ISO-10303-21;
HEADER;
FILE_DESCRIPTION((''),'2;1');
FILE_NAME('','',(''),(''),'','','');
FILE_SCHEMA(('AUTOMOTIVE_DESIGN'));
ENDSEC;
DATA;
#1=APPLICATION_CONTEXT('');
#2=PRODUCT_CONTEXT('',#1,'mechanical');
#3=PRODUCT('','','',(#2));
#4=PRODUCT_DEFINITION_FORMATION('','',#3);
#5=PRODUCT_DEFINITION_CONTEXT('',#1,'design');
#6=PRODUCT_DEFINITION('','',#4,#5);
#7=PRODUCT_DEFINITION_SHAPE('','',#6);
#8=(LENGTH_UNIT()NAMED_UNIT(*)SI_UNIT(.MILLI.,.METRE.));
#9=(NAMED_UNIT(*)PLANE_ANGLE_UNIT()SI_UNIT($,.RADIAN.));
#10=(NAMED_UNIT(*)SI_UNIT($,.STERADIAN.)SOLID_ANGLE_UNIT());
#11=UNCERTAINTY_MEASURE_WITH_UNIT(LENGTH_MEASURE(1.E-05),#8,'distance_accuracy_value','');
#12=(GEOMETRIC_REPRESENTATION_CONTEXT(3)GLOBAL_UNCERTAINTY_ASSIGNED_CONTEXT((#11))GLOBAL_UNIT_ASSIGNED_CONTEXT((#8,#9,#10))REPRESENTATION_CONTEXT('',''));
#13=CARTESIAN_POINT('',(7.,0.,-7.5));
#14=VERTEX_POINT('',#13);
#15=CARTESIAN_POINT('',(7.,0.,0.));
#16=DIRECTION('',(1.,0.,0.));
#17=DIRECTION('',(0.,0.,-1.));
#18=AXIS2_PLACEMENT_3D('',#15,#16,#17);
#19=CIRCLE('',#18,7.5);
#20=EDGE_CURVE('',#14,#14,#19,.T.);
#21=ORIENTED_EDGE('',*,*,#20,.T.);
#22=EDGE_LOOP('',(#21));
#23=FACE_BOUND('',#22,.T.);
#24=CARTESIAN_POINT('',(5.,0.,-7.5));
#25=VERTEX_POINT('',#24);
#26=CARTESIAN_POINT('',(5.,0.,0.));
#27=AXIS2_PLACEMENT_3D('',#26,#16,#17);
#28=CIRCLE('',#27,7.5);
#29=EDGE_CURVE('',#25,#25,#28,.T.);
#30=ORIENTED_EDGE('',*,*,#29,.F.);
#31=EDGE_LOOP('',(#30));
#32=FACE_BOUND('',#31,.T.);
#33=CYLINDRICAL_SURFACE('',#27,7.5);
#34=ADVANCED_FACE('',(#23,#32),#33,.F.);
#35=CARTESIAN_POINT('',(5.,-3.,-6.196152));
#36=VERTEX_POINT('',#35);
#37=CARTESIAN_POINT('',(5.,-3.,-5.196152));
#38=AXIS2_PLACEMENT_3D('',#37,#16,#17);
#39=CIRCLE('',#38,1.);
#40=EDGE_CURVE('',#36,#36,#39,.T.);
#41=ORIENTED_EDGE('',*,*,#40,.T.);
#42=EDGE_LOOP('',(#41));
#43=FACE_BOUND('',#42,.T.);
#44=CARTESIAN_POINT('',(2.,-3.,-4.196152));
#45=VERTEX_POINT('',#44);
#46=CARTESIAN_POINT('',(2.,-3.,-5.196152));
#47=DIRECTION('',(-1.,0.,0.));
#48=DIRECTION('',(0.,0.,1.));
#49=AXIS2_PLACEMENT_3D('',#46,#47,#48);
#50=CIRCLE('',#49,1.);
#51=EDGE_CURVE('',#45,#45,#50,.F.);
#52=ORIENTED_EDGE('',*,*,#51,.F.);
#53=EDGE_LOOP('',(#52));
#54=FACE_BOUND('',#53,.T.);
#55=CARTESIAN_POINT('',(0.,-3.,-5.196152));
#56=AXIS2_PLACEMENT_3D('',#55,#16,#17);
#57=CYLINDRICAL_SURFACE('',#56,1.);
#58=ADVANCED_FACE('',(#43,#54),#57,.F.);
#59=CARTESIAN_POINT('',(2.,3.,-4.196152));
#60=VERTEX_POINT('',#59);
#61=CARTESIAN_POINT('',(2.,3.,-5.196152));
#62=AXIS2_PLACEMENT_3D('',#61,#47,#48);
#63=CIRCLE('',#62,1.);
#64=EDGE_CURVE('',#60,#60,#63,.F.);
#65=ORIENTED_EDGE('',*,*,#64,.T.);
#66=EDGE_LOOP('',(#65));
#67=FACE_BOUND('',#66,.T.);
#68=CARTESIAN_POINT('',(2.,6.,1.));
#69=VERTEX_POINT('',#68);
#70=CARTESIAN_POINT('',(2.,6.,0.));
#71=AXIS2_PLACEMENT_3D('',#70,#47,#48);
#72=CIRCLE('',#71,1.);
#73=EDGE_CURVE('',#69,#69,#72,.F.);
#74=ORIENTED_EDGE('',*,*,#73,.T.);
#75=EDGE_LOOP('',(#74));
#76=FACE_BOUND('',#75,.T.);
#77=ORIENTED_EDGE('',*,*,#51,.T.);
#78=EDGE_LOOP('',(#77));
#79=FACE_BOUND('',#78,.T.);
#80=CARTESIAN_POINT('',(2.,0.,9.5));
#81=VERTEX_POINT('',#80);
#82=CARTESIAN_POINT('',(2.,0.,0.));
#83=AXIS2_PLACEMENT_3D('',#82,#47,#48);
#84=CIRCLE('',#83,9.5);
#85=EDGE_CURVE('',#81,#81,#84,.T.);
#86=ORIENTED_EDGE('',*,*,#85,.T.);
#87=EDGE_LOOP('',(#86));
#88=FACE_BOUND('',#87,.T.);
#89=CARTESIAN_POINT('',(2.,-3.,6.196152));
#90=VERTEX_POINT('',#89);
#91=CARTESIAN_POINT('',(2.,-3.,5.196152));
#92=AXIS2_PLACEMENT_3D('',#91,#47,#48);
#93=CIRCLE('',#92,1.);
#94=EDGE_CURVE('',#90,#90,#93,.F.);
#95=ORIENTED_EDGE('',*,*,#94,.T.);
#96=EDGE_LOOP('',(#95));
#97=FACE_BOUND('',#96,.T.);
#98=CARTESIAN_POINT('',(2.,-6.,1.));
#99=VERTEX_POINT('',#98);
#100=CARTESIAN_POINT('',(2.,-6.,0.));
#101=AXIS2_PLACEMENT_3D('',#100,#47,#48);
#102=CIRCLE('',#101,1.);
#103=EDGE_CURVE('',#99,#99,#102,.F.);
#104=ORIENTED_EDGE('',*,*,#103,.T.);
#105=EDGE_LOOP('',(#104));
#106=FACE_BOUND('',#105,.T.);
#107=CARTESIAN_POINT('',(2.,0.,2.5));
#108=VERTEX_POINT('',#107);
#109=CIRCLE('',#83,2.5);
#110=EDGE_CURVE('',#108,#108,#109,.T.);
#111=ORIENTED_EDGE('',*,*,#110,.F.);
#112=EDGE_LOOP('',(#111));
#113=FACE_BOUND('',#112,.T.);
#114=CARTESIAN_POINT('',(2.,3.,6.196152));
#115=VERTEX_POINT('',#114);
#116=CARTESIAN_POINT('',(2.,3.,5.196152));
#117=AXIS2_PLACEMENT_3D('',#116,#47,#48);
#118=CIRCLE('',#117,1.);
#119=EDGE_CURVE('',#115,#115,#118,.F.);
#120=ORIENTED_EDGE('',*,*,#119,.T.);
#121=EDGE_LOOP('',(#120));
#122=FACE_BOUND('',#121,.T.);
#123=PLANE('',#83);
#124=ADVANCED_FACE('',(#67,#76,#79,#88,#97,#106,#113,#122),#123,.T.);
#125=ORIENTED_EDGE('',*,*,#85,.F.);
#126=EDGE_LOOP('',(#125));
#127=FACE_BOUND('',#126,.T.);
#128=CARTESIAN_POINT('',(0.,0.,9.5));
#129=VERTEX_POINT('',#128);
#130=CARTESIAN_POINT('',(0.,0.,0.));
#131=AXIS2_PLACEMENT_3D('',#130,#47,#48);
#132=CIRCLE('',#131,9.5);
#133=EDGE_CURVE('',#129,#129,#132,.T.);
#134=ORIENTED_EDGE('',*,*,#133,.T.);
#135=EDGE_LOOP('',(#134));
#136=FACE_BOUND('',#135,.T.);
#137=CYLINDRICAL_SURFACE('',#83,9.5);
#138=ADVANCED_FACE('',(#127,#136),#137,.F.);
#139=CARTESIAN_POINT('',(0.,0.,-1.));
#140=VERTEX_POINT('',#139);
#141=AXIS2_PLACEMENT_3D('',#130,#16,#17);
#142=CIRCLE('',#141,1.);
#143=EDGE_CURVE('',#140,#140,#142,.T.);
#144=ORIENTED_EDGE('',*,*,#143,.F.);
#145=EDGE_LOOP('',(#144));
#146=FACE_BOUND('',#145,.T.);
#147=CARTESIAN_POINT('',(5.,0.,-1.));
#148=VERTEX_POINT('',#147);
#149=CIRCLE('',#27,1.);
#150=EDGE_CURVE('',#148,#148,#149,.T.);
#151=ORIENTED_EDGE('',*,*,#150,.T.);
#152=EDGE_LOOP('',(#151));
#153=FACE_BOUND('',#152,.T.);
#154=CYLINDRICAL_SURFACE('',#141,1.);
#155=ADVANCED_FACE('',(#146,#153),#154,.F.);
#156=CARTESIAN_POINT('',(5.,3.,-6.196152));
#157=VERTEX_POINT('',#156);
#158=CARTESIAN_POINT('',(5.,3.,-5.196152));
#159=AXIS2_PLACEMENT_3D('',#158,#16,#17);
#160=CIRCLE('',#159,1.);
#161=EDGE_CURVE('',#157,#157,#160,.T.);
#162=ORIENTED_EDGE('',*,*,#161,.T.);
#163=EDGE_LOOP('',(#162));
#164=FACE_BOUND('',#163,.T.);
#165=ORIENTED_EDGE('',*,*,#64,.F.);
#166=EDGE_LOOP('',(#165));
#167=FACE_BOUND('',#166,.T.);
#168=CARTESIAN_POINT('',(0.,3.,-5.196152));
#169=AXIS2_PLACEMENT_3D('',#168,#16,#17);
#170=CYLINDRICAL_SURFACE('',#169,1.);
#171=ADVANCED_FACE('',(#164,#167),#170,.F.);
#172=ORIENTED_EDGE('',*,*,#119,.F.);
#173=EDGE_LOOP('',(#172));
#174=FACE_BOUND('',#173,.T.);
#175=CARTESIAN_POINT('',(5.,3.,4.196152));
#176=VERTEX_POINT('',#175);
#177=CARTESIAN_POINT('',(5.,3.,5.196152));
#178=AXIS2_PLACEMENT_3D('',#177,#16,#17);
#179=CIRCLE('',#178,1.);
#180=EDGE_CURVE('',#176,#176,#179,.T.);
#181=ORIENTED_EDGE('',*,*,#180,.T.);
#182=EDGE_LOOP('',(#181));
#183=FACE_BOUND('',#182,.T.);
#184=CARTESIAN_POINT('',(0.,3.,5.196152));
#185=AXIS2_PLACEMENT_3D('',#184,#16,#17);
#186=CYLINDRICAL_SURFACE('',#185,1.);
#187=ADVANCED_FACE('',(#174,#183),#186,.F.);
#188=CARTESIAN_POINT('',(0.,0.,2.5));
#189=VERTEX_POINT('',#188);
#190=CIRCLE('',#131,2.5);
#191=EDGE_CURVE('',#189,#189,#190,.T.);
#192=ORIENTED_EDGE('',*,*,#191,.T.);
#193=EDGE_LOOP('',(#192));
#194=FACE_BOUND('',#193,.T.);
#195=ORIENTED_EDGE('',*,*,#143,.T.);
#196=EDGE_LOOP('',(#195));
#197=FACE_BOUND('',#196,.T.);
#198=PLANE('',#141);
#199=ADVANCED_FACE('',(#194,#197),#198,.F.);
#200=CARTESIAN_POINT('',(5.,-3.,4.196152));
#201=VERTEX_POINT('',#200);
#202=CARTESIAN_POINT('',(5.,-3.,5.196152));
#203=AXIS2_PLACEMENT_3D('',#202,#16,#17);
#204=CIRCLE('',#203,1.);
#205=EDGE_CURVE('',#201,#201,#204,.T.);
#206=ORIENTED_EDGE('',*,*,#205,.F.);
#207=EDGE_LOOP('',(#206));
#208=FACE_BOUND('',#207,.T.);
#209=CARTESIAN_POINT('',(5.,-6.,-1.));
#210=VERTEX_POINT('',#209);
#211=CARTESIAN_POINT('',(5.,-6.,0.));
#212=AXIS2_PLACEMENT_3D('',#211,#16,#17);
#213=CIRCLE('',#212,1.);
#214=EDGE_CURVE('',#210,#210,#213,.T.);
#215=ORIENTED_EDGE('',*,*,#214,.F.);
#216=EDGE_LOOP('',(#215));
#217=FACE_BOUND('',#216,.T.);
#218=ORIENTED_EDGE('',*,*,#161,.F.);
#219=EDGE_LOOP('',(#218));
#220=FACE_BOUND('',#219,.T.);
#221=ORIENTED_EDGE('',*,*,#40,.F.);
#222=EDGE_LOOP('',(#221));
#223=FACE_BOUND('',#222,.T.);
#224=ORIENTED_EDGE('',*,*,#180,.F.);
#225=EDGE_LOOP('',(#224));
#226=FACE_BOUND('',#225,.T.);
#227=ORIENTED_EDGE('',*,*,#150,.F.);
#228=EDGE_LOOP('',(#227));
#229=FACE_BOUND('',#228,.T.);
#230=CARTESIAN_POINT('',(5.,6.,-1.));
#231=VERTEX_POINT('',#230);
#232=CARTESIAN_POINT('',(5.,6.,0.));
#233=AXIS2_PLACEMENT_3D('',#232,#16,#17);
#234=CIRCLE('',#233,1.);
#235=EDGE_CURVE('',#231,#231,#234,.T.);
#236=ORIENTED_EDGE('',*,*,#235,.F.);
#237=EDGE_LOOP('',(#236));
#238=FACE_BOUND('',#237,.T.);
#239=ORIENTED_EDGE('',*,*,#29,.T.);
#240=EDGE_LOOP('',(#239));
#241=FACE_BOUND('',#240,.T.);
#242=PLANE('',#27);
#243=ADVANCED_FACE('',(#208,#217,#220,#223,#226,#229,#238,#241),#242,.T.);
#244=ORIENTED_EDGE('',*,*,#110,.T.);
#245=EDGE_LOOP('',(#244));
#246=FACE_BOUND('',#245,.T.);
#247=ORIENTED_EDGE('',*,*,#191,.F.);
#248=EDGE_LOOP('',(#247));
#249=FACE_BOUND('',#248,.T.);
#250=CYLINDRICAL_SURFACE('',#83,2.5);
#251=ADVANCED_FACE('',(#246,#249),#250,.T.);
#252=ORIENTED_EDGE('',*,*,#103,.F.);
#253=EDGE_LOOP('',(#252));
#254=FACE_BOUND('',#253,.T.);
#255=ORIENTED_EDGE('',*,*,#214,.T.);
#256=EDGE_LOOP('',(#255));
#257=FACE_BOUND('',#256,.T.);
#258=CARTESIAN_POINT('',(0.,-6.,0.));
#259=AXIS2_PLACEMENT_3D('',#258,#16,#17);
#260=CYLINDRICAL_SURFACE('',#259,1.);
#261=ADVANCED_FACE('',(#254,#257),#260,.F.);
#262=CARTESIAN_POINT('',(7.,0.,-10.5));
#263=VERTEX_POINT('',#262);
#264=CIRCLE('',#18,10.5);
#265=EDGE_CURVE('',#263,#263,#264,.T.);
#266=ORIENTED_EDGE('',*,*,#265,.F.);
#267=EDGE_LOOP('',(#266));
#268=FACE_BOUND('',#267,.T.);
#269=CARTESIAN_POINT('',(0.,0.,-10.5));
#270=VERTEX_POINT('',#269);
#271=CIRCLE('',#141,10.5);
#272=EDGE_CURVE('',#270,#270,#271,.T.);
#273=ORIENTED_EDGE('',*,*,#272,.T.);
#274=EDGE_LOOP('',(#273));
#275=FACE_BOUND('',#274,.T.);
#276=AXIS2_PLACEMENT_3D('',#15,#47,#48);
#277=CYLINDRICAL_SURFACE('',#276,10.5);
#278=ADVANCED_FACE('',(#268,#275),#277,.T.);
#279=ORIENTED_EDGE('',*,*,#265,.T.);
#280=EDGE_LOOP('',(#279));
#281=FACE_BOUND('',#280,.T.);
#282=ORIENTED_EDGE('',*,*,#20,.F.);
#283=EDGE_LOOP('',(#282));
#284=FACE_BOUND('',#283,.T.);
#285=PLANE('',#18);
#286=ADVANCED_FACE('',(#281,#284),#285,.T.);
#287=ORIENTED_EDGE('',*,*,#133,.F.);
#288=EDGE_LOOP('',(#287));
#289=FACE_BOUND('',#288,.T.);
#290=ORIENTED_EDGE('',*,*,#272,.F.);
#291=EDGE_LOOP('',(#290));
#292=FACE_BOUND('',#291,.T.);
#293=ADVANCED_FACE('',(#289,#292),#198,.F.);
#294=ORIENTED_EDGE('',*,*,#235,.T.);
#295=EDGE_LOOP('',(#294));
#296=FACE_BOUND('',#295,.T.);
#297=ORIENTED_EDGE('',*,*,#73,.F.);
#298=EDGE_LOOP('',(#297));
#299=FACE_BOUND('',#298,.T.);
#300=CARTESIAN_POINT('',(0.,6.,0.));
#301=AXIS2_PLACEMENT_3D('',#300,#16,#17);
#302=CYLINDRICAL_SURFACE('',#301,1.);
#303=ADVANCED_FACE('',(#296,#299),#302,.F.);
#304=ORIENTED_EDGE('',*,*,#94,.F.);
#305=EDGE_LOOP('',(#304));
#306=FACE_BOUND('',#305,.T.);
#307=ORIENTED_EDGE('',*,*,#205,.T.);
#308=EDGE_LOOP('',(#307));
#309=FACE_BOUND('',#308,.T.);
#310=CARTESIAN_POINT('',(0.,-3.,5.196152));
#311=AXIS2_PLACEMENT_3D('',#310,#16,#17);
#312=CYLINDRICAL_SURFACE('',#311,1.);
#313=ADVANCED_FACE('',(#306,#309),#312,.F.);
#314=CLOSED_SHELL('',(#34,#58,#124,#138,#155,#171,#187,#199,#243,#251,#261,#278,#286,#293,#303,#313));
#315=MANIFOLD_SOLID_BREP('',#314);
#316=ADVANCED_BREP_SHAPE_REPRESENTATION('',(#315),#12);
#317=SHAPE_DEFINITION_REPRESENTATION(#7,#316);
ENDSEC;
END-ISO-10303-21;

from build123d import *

# Parameters (mm, degrees)
SKETCH1_R           = 10.5
BOSS_EXTRUDE1_DEPTH = 7
SKETCH2_R           = 7.5
CUT_EXTRUDE1_DEPTH  = 2
SKETCH3_R           = 1
CUT_EXTRUDE2_DEPTH  = 6
SKETCH4_R           = 9.5
SKETCH4_R_2         = 2.5
CUT_EXTRUDE3_DEPTH  = 2


with BuildPart() as part:
    # Sketch1 → Boss-Extrude1 (new body)
    with BuildSketch(Plane(origin=(0, 0, 0), x_dir=(0, 0, -1), z_dir=(1, 0, 0))):
        Circle(SKETCH1_R)
    extrude(amount=BOSS_EXTRUDE1_DEPTH)

    # Sketch2 → Cut-Extrude1 (cut)
    with BuildSketch(Plane(origin=(7, 0, 0), x_dir=(0, 0, -1), z_dir=(1, 0, 0))):
        Circle(SKETCH2_R)
    extrude(amount=-CUT_EXTRUDE1_DEPTH, mode=Mode.SUBTRACT)

    # Sketch3 → Cut-Extrude2 (cut, through all)
    with BuildSketch(Plane(origin=(5, 0, 0), x_dir=(0, 0, -1), z_dir=(1, 0, 0))):
        with Locations((0, 6)):
            Circle(SKETCH3_R)
        Circle(SKETCH3_R)
        with Locations((5.196152423, 3)):
            Circle(SKETCH3_R)
        with Locations((5.196152423, -3)):
            Circle(SKETCH3_R)
        with Locations((0, -6)):
            Circle(SKETCH3_R)
        with Locations((-5.196152423, -3)):
            Circle(SKETCH3_R)
        with Locations((-5.196152423, 3)):
            Circle(SKETCH3_R)
    extrude(amount=-CUT_EXTRUDE2_DEPTH, mode=Mode.SUBTRACT)

    # Sketch4 → Cut-Extrude3 (cut)
    with BuildSketch(Plane.ZY):
        Circle(SKETCH4_R)
        Circle(SKETCH4_R_2, mode=Mode.SUBTRACT)
    extrude(amount=-CUT_EXTRUDE3_DEPTH, mode=Mode.SUBTRACT)


solid = part.part
